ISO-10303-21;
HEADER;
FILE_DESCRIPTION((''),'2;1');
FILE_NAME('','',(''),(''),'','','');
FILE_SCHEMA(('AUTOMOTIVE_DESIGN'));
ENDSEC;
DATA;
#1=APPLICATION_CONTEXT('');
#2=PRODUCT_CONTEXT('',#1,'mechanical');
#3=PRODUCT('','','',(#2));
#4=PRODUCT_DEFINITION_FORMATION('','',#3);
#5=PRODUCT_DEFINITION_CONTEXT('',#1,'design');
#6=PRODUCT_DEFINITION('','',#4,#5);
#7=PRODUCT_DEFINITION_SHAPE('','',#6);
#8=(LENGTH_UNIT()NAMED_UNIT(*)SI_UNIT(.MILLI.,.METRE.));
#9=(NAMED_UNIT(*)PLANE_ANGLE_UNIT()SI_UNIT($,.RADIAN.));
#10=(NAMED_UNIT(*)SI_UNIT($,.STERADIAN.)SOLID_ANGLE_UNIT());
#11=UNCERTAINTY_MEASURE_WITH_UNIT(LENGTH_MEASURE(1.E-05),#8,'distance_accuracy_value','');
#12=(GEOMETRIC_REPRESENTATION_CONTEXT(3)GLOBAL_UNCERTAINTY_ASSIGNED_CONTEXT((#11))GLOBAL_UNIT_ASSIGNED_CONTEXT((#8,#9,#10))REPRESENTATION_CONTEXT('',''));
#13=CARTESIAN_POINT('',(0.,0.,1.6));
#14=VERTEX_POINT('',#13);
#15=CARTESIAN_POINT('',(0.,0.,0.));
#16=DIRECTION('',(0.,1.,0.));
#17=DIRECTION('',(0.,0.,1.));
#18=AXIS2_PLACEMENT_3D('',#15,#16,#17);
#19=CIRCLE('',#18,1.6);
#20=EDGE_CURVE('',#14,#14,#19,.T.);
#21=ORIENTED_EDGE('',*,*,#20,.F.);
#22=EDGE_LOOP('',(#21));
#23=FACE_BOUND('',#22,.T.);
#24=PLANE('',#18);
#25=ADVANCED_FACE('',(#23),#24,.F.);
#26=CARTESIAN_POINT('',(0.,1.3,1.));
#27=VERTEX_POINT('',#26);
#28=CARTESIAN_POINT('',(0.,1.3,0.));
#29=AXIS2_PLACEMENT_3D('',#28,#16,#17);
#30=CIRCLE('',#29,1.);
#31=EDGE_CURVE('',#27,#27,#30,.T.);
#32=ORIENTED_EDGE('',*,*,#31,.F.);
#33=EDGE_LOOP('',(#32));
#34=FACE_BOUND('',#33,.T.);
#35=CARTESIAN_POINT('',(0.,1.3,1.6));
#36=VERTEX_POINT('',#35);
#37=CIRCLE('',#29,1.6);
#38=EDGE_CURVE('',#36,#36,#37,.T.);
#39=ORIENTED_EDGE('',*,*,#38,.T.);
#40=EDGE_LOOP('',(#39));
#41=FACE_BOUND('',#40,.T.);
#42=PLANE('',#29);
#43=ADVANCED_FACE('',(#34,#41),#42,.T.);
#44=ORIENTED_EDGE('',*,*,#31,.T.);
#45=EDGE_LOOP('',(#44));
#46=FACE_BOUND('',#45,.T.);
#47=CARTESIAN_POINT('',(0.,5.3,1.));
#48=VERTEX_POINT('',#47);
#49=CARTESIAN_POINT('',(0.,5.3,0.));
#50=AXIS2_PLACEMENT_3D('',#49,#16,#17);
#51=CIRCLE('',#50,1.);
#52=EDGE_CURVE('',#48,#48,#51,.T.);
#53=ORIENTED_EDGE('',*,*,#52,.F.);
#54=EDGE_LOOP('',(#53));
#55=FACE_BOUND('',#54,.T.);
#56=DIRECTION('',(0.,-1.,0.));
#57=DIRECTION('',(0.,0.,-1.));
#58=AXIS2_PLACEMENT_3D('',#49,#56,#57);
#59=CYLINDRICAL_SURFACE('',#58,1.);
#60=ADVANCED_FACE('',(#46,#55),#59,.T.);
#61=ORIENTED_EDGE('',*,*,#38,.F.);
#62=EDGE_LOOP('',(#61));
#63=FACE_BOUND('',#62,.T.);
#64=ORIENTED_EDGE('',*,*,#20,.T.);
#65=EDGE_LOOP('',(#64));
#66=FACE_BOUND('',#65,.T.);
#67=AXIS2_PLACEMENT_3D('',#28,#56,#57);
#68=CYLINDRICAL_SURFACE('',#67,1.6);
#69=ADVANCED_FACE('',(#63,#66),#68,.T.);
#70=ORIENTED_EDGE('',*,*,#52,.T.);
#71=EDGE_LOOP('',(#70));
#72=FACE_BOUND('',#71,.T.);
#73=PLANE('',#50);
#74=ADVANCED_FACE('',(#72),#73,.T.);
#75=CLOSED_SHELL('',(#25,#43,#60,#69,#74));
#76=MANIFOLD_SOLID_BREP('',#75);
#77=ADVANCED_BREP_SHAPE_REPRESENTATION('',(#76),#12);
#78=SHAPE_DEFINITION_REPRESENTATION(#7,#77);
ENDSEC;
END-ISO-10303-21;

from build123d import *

# Parameters (mm, degrees)
SKETCH_1_R      = 1.6
EXTRUDE_1_DEPTH = 1.3
EXTRUDE_START   = 1.3
SKETCH_2_R      = 1
EXTRUDE_2_DEPTH = 4


with BuildPart() as part:
    # 草图1 → 凸台-拉伸1 (new body)
    with BuildSketch(Plane(origin=(0, 0, 0), x_dir=(1, 0, 0), z_dir=(0, 1, 0))):
        with Locations(Location((0, 0, 0), (0, 0, 270))):
            Circle(SKETCH_1_R)
    extrude(amount=EXTRUDE_1_DEPTH)

    # 草图2 → 凸台-拉伸2 (add)
    with BuildSketch(Plane(origin=(0, 0, 0), x_dir=(1, 0, 0), z_dir=(0, 1, 0)).offset(EXTRUDE_START)):
        with Locations(Location((0, 0, 0), (0, 0, 270))):
            Circle(SKETCH_2_R)
    extrude(amount=EXTRUDE_2_DEPTH)


solid = part.part
